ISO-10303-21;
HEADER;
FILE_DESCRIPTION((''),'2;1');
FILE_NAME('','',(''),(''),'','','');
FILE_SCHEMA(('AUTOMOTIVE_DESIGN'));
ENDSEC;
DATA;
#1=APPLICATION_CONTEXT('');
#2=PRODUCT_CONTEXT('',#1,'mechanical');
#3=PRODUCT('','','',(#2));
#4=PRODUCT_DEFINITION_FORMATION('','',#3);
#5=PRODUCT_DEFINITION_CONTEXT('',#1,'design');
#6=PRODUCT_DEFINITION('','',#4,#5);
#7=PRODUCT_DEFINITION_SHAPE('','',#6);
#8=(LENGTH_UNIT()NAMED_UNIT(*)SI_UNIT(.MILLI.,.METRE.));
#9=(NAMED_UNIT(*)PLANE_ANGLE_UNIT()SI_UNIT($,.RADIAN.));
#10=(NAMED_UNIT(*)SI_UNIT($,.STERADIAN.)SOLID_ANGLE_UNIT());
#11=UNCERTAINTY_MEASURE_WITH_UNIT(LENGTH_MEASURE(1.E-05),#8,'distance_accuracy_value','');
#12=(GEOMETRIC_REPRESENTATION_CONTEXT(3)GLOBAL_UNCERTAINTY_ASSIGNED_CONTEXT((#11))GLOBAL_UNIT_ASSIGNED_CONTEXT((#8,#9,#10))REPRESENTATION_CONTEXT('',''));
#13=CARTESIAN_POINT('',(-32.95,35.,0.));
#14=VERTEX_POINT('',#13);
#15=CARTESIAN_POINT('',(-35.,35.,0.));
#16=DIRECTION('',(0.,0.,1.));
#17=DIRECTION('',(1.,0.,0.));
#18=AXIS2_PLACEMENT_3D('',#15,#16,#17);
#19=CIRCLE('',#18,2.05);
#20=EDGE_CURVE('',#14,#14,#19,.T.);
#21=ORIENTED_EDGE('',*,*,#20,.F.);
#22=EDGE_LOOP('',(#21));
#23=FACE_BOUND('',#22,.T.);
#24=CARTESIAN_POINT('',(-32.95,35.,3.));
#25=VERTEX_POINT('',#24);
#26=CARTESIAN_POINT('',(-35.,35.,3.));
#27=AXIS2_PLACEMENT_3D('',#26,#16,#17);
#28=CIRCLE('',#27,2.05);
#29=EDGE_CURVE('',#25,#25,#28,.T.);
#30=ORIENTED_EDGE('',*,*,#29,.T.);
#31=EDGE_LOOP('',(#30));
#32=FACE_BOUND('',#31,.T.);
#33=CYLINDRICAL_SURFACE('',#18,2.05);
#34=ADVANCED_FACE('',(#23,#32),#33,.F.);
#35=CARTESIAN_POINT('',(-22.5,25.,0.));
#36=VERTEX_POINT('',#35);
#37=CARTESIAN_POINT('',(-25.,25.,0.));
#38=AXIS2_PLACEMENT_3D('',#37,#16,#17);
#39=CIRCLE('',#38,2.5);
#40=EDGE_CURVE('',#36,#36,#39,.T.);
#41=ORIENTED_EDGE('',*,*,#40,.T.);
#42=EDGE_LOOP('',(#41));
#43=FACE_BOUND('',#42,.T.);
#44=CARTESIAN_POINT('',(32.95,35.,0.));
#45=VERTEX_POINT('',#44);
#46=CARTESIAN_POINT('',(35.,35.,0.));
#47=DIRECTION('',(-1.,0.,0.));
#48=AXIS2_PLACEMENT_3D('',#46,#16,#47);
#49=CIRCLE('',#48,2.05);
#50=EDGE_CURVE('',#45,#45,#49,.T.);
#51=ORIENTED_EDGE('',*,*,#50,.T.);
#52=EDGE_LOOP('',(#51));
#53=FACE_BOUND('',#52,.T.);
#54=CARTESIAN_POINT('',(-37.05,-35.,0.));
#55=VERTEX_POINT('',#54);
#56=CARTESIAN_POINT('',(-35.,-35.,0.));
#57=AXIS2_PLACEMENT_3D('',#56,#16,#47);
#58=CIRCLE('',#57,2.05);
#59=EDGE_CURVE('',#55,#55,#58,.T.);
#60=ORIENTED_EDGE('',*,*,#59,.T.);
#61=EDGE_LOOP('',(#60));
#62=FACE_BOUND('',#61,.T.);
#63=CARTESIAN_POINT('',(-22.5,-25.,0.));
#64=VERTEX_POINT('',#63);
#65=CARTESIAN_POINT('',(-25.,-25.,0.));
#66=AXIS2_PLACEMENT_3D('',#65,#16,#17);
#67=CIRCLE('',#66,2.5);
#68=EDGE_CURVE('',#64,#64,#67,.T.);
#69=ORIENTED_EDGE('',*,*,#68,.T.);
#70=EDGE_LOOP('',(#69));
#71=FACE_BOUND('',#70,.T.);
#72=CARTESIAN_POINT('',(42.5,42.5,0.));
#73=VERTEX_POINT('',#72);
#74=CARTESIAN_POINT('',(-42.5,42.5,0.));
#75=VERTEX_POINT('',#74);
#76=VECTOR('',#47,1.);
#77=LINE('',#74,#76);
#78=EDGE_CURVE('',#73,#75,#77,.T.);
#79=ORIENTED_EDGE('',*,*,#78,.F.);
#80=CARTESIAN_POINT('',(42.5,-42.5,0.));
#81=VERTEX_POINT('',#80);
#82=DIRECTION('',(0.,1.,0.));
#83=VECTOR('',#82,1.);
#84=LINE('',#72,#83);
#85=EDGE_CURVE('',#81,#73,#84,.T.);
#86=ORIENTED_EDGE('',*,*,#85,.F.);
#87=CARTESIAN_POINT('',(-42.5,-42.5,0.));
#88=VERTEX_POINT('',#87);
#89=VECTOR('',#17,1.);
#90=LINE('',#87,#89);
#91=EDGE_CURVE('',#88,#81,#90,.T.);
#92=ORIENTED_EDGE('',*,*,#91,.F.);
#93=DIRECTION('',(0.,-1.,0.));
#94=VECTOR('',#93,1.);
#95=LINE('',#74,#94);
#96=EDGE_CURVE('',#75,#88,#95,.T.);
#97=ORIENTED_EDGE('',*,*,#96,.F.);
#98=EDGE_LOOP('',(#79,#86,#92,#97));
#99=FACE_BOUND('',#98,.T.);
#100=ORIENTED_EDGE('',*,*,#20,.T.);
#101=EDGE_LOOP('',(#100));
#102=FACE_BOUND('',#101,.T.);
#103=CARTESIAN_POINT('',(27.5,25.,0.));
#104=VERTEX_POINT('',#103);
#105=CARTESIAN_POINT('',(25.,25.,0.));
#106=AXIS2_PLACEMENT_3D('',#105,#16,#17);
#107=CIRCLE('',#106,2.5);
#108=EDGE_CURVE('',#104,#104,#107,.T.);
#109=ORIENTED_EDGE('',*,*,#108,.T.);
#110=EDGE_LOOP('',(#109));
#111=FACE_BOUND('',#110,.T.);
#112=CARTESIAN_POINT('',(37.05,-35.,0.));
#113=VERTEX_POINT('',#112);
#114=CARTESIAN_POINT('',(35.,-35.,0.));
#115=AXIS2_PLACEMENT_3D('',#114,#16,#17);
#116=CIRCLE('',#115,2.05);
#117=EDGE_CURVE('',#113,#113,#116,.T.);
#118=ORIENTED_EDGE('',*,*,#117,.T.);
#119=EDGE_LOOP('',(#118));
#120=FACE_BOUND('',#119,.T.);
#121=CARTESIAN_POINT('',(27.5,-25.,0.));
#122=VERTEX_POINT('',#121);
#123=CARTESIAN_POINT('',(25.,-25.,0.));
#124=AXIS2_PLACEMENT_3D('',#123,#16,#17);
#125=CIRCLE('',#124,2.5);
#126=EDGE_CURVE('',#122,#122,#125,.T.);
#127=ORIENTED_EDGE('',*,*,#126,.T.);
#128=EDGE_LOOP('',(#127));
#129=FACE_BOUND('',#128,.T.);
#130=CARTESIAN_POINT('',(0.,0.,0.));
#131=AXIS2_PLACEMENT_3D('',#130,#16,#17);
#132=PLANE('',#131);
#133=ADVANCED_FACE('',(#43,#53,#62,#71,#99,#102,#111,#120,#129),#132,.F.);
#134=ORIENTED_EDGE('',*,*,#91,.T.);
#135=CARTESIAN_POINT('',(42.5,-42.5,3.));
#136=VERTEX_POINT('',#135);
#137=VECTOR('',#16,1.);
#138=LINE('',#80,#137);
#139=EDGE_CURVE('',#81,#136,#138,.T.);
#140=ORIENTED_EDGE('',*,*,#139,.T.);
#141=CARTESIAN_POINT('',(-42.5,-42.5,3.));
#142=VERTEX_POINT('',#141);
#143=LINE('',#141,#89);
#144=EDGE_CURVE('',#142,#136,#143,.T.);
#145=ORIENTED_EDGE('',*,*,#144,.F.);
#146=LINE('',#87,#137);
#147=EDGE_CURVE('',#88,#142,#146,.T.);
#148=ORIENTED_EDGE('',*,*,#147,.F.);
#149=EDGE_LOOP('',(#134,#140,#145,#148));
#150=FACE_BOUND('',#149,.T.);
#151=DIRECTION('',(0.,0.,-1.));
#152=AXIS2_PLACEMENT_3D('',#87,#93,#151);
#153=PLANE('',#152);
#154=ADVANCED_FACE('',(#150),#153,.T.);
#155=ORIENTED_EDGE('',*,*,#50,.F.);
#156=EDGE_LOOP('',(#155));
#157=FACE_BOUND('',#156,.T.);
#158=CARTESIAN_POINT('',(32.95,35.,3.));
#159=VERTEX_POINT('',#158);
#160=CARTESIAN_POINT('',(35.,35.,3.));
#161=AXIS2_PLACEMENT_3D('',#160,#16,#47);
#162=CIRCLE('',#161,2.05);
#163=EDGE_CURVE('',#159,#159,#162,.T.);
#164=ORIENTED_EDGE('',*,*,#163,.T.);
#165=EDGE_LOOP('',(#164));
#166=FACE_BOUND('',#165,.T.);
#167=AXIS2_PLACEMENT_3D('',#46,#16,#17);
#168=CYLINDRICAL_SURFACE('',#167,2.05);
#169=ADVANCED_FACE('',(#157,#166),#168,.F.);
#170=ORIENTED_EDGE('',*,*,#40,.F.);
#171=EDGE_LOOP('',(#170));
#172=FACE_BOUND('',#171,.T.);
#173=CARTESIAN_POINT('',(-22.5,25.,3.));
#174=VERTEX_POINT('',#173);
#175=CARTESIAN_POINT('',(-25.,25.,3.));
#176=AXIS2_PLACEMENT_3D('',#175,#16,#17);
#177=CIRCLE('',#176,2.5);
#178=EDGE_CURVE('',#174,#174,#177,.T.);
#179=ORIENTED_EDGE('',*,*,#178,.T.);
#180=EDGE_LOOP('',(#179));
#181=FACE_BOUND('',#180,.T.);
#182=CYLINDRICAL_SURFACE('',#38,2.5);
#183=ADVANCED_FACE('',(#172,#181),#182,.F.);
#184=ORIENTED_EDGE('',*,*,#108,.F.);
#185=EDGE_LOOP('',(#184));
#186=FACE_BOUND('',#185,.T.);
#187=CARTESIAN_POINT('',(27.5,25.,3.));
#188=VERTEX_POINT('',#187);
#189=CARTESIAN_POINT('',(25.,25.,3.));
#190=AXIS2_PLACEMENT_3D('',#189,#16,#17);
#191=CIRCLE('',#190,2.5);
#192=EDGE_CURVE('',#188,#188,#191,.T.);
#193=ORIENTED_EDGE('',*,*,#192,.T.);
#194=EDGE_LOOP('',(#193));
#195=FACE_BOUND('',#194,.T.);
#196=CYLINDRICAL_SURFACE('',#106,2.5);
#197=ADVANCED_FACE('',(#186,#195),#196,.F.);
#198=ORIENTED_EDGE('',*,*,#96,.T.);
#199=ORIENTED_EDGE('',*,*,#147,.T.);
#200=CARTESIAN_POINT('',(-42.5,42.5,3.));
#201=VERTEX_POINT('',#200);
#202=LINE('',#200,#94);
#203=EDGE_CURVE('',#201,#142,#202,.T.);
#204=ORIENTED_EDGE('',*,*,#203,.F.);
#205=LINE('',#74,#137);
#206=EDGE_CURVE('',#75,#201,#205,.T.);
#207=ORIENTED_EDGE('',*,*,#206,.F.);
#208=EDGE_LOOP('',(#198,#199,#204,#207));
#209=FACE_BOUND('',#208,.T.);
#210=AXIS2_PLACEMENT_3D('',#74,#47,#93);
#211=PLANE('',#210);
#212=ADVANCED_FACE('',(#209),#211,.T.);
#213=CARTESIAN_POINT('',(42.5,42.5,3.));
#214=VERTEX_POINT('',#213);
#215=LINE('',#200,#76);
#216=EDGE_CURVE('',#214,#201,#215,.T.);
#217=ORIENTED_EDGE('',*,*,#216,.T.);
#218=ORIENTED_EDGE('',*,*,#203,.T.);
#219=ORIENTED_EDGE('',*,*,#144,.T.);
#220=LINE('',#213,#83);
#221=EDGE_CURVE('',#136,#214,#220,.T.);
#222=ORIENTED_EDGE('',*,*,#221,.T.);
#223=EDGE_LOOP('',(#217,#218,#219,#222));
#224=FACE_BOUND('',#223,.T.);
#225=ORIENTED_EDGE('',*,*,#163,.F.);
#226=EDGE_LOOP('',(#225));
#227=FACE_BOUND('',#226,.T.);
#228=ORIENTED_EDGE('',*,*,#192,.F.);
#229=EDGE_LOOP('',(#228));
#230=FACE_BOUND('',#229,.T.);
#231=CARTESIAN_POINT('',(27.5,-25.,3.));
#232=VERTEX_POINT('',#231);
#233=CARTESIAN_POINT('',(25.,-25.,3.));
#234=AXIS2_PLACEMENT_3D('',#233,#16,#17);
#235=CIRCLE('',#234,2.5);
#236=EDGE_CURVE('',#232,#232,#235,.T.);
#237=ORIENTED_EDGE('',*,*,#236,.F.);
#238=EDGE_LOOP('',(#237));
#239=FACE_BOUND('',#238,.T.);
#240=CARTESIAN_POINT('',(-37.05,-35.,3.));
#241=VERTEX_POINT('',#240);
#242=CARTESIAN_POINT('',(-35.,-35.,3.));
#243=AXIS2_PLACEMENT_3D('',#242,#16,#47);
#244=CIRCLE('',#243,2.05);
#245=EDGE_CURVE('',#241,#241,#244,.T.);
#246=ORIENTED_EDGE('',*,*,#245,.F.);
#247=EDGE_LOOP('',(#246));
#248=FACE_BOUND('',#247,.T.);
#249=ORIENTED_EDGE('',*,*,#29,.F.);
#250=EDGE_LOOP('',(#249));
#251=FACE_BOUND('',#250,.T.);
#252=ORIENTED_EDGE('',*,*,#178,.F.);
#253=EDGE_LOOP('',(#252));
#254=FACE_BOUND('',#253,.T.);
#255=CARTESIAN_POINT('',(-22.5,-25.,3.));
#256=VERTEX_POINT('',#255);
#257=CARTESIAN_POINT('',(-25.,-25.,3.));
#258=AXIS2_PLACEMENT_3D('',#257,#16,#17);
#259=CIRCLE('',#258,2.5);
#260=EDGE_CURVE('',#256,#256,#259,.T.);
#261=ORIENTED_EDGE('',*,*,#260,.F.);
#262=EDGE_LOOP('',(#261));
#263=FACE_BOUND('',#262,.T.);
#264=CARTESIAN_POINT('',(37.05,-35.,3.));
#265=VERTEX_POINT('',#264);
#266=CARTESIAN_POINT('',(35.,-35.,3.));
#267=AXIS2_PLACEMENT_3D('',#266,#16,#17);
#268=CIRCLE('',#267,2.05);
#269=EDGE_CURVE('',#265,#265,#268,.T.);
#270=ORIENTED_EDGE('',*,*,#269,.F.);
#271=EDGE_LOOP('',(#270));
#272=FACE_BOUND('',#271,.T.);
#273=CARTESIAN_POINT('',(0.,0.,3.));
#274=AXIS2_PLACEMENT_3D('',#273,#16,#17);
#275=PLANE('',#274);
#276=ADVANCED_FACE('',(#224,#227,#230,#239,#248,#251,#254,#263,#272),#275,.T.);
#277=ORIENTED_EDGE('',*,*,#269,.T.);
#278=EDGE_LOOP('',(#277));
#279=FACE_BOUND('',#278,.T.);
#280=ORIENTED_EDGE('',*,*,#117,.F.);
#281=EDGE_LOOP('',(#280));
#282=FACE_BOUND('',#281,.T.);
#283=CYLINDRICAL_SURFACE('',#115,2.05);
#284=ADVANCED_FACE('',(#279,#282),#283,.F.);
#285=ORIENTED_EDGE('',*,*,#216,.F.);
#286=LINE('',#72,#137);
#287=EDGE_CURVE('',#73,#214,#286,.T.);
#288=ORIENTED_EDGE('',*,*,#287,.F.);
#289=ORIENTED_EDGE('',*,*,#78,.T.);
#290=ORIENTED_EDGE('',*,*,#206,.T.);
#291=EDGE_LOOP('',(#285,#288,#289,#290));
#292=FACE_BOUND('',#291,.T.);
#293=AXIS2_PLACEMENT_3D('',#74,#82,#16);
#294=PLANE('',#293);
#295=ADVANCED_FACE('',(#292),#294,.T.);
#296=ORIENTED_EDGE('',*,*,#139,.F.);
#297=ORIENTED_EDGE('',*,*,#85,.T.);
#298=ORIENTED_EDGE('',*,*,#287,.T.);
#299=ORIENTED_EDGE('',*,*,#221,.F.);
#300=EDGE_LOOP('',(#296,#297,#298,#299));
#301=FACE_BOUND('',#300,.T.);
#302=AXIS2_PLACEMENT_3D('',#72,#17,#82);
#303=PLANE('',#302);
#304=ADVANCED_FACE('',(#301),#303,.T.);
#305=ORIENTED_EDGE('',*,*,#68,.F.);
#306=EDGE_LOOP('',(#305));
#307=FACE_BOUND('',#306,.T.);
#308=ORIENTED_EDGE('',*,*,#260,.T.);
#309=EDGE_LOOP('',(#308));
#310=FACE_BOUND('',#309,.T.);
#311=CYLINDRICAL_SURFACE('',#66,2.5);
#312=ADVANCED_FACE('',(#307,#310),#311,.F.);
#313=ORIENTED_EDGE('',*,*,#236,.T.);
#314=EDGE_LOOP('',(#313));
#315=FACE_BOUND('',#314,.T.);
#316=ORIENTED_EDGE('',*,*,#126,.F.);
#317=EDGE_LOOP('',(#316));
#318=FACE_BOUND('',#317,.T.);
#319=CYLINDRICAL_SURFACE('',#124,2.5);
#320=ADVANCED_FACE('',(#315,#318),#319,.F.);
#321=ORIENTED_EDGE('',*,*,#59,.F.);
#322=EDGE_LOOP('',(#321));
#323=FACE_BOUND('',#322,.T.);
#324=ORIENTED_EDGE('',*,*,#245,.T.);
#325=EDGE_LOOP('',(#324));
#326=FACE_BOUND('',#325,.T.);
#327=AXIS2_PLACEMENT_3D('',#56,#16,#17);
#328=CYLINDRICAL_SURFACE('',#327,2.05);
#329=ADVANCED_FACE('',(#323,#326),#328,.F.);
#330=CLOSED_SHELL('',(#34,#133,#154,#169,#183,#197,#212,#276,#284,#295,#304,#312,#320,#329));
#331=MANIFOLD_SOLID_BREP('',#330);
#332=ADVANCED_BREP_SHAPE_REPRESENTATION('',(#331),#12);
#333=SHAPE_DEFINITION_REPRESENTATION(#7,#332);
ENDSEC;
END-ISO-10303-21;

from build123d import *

# Parameters (mm, degrees)
SKETCH1_W           = 65
SKETCH1_H           = 65
SKETCH1_R           = 2.55
BOSS_EXTRUDE1_DEPTH = 3
SKETCH2_W           = 85
SKETCH2_H           = 85
SKETCH2_R           = 2.05
SKETCH2_R_2         = 2.5
BOSS_EXTRUDE2_DEPTH = 3


with BuildPart() as part:
    # Sketch1 → Boss-Extrude1 (new body)
    with BuildSketch(Plane.XY):
        Rectangle(SKETCH1_W, SKETCH1_H)
        with Locations((-25, 25)):
            Circle(SKETCH1_R, mode=Mode.SUBTRACT)
        with Locations((25, 25)):
            Circle(SKETCH1_R, mode=Mode.SUBTRACT)
        with Locations((-25, -25)):
            Circle(SKETCH1_R, mode=Mode.SUBTRACT)
        with Locations((25, -25)):
            Circle(SKETCH1_R, mode=Mode.SUBTRACT)
    extrude(amount=BOSS_EXTRUDE1_DEPTH)

    # Sketch2 → Boss-Extrude2 (add)
    with BuildSketch(Plane.XY.offset(3)):
        Rectangle(SKETCH2_W, SKETCH2_H)
        with Locations((-35, 35)):
            Circle(SKETCH2_R, mode=Mode.SUBTRACT)
        with Locations(Location((35, 35, 0), (0, 0, 180))):
            Circle(SKETCH2_R, mode=Mode.SUBTRACT)
        with Locations((35, -35)):
            Circle(SKETCH2_R, mode=Mode.SUBTRACT)
        with Locations(Location((-35, -35, 0), (0, 0, 180))):
            Circle(SKETCH2_R, mode=Mode.SUBTRACT)
        with Locations((-25, 25)):
            Circle(SKETCH2_R_2, mode=Mode.SUBTRACT)
        with Locations((25, 25)):
            Circle(SKETCH2_R_2, mode=Mode.SUBTRACT)
        with Locations((25, -25)):
            Circle(SKETCH2_R_2, mode=Mode.SUBTRACT)
        with Locations((-25, -25)):
            Circle(SKETCH2_R_2, mode=Mode.SUBTRACT)
    extrude(amount=-BOSS_EXTRUDE2_DEPTH)


solid = part.part
